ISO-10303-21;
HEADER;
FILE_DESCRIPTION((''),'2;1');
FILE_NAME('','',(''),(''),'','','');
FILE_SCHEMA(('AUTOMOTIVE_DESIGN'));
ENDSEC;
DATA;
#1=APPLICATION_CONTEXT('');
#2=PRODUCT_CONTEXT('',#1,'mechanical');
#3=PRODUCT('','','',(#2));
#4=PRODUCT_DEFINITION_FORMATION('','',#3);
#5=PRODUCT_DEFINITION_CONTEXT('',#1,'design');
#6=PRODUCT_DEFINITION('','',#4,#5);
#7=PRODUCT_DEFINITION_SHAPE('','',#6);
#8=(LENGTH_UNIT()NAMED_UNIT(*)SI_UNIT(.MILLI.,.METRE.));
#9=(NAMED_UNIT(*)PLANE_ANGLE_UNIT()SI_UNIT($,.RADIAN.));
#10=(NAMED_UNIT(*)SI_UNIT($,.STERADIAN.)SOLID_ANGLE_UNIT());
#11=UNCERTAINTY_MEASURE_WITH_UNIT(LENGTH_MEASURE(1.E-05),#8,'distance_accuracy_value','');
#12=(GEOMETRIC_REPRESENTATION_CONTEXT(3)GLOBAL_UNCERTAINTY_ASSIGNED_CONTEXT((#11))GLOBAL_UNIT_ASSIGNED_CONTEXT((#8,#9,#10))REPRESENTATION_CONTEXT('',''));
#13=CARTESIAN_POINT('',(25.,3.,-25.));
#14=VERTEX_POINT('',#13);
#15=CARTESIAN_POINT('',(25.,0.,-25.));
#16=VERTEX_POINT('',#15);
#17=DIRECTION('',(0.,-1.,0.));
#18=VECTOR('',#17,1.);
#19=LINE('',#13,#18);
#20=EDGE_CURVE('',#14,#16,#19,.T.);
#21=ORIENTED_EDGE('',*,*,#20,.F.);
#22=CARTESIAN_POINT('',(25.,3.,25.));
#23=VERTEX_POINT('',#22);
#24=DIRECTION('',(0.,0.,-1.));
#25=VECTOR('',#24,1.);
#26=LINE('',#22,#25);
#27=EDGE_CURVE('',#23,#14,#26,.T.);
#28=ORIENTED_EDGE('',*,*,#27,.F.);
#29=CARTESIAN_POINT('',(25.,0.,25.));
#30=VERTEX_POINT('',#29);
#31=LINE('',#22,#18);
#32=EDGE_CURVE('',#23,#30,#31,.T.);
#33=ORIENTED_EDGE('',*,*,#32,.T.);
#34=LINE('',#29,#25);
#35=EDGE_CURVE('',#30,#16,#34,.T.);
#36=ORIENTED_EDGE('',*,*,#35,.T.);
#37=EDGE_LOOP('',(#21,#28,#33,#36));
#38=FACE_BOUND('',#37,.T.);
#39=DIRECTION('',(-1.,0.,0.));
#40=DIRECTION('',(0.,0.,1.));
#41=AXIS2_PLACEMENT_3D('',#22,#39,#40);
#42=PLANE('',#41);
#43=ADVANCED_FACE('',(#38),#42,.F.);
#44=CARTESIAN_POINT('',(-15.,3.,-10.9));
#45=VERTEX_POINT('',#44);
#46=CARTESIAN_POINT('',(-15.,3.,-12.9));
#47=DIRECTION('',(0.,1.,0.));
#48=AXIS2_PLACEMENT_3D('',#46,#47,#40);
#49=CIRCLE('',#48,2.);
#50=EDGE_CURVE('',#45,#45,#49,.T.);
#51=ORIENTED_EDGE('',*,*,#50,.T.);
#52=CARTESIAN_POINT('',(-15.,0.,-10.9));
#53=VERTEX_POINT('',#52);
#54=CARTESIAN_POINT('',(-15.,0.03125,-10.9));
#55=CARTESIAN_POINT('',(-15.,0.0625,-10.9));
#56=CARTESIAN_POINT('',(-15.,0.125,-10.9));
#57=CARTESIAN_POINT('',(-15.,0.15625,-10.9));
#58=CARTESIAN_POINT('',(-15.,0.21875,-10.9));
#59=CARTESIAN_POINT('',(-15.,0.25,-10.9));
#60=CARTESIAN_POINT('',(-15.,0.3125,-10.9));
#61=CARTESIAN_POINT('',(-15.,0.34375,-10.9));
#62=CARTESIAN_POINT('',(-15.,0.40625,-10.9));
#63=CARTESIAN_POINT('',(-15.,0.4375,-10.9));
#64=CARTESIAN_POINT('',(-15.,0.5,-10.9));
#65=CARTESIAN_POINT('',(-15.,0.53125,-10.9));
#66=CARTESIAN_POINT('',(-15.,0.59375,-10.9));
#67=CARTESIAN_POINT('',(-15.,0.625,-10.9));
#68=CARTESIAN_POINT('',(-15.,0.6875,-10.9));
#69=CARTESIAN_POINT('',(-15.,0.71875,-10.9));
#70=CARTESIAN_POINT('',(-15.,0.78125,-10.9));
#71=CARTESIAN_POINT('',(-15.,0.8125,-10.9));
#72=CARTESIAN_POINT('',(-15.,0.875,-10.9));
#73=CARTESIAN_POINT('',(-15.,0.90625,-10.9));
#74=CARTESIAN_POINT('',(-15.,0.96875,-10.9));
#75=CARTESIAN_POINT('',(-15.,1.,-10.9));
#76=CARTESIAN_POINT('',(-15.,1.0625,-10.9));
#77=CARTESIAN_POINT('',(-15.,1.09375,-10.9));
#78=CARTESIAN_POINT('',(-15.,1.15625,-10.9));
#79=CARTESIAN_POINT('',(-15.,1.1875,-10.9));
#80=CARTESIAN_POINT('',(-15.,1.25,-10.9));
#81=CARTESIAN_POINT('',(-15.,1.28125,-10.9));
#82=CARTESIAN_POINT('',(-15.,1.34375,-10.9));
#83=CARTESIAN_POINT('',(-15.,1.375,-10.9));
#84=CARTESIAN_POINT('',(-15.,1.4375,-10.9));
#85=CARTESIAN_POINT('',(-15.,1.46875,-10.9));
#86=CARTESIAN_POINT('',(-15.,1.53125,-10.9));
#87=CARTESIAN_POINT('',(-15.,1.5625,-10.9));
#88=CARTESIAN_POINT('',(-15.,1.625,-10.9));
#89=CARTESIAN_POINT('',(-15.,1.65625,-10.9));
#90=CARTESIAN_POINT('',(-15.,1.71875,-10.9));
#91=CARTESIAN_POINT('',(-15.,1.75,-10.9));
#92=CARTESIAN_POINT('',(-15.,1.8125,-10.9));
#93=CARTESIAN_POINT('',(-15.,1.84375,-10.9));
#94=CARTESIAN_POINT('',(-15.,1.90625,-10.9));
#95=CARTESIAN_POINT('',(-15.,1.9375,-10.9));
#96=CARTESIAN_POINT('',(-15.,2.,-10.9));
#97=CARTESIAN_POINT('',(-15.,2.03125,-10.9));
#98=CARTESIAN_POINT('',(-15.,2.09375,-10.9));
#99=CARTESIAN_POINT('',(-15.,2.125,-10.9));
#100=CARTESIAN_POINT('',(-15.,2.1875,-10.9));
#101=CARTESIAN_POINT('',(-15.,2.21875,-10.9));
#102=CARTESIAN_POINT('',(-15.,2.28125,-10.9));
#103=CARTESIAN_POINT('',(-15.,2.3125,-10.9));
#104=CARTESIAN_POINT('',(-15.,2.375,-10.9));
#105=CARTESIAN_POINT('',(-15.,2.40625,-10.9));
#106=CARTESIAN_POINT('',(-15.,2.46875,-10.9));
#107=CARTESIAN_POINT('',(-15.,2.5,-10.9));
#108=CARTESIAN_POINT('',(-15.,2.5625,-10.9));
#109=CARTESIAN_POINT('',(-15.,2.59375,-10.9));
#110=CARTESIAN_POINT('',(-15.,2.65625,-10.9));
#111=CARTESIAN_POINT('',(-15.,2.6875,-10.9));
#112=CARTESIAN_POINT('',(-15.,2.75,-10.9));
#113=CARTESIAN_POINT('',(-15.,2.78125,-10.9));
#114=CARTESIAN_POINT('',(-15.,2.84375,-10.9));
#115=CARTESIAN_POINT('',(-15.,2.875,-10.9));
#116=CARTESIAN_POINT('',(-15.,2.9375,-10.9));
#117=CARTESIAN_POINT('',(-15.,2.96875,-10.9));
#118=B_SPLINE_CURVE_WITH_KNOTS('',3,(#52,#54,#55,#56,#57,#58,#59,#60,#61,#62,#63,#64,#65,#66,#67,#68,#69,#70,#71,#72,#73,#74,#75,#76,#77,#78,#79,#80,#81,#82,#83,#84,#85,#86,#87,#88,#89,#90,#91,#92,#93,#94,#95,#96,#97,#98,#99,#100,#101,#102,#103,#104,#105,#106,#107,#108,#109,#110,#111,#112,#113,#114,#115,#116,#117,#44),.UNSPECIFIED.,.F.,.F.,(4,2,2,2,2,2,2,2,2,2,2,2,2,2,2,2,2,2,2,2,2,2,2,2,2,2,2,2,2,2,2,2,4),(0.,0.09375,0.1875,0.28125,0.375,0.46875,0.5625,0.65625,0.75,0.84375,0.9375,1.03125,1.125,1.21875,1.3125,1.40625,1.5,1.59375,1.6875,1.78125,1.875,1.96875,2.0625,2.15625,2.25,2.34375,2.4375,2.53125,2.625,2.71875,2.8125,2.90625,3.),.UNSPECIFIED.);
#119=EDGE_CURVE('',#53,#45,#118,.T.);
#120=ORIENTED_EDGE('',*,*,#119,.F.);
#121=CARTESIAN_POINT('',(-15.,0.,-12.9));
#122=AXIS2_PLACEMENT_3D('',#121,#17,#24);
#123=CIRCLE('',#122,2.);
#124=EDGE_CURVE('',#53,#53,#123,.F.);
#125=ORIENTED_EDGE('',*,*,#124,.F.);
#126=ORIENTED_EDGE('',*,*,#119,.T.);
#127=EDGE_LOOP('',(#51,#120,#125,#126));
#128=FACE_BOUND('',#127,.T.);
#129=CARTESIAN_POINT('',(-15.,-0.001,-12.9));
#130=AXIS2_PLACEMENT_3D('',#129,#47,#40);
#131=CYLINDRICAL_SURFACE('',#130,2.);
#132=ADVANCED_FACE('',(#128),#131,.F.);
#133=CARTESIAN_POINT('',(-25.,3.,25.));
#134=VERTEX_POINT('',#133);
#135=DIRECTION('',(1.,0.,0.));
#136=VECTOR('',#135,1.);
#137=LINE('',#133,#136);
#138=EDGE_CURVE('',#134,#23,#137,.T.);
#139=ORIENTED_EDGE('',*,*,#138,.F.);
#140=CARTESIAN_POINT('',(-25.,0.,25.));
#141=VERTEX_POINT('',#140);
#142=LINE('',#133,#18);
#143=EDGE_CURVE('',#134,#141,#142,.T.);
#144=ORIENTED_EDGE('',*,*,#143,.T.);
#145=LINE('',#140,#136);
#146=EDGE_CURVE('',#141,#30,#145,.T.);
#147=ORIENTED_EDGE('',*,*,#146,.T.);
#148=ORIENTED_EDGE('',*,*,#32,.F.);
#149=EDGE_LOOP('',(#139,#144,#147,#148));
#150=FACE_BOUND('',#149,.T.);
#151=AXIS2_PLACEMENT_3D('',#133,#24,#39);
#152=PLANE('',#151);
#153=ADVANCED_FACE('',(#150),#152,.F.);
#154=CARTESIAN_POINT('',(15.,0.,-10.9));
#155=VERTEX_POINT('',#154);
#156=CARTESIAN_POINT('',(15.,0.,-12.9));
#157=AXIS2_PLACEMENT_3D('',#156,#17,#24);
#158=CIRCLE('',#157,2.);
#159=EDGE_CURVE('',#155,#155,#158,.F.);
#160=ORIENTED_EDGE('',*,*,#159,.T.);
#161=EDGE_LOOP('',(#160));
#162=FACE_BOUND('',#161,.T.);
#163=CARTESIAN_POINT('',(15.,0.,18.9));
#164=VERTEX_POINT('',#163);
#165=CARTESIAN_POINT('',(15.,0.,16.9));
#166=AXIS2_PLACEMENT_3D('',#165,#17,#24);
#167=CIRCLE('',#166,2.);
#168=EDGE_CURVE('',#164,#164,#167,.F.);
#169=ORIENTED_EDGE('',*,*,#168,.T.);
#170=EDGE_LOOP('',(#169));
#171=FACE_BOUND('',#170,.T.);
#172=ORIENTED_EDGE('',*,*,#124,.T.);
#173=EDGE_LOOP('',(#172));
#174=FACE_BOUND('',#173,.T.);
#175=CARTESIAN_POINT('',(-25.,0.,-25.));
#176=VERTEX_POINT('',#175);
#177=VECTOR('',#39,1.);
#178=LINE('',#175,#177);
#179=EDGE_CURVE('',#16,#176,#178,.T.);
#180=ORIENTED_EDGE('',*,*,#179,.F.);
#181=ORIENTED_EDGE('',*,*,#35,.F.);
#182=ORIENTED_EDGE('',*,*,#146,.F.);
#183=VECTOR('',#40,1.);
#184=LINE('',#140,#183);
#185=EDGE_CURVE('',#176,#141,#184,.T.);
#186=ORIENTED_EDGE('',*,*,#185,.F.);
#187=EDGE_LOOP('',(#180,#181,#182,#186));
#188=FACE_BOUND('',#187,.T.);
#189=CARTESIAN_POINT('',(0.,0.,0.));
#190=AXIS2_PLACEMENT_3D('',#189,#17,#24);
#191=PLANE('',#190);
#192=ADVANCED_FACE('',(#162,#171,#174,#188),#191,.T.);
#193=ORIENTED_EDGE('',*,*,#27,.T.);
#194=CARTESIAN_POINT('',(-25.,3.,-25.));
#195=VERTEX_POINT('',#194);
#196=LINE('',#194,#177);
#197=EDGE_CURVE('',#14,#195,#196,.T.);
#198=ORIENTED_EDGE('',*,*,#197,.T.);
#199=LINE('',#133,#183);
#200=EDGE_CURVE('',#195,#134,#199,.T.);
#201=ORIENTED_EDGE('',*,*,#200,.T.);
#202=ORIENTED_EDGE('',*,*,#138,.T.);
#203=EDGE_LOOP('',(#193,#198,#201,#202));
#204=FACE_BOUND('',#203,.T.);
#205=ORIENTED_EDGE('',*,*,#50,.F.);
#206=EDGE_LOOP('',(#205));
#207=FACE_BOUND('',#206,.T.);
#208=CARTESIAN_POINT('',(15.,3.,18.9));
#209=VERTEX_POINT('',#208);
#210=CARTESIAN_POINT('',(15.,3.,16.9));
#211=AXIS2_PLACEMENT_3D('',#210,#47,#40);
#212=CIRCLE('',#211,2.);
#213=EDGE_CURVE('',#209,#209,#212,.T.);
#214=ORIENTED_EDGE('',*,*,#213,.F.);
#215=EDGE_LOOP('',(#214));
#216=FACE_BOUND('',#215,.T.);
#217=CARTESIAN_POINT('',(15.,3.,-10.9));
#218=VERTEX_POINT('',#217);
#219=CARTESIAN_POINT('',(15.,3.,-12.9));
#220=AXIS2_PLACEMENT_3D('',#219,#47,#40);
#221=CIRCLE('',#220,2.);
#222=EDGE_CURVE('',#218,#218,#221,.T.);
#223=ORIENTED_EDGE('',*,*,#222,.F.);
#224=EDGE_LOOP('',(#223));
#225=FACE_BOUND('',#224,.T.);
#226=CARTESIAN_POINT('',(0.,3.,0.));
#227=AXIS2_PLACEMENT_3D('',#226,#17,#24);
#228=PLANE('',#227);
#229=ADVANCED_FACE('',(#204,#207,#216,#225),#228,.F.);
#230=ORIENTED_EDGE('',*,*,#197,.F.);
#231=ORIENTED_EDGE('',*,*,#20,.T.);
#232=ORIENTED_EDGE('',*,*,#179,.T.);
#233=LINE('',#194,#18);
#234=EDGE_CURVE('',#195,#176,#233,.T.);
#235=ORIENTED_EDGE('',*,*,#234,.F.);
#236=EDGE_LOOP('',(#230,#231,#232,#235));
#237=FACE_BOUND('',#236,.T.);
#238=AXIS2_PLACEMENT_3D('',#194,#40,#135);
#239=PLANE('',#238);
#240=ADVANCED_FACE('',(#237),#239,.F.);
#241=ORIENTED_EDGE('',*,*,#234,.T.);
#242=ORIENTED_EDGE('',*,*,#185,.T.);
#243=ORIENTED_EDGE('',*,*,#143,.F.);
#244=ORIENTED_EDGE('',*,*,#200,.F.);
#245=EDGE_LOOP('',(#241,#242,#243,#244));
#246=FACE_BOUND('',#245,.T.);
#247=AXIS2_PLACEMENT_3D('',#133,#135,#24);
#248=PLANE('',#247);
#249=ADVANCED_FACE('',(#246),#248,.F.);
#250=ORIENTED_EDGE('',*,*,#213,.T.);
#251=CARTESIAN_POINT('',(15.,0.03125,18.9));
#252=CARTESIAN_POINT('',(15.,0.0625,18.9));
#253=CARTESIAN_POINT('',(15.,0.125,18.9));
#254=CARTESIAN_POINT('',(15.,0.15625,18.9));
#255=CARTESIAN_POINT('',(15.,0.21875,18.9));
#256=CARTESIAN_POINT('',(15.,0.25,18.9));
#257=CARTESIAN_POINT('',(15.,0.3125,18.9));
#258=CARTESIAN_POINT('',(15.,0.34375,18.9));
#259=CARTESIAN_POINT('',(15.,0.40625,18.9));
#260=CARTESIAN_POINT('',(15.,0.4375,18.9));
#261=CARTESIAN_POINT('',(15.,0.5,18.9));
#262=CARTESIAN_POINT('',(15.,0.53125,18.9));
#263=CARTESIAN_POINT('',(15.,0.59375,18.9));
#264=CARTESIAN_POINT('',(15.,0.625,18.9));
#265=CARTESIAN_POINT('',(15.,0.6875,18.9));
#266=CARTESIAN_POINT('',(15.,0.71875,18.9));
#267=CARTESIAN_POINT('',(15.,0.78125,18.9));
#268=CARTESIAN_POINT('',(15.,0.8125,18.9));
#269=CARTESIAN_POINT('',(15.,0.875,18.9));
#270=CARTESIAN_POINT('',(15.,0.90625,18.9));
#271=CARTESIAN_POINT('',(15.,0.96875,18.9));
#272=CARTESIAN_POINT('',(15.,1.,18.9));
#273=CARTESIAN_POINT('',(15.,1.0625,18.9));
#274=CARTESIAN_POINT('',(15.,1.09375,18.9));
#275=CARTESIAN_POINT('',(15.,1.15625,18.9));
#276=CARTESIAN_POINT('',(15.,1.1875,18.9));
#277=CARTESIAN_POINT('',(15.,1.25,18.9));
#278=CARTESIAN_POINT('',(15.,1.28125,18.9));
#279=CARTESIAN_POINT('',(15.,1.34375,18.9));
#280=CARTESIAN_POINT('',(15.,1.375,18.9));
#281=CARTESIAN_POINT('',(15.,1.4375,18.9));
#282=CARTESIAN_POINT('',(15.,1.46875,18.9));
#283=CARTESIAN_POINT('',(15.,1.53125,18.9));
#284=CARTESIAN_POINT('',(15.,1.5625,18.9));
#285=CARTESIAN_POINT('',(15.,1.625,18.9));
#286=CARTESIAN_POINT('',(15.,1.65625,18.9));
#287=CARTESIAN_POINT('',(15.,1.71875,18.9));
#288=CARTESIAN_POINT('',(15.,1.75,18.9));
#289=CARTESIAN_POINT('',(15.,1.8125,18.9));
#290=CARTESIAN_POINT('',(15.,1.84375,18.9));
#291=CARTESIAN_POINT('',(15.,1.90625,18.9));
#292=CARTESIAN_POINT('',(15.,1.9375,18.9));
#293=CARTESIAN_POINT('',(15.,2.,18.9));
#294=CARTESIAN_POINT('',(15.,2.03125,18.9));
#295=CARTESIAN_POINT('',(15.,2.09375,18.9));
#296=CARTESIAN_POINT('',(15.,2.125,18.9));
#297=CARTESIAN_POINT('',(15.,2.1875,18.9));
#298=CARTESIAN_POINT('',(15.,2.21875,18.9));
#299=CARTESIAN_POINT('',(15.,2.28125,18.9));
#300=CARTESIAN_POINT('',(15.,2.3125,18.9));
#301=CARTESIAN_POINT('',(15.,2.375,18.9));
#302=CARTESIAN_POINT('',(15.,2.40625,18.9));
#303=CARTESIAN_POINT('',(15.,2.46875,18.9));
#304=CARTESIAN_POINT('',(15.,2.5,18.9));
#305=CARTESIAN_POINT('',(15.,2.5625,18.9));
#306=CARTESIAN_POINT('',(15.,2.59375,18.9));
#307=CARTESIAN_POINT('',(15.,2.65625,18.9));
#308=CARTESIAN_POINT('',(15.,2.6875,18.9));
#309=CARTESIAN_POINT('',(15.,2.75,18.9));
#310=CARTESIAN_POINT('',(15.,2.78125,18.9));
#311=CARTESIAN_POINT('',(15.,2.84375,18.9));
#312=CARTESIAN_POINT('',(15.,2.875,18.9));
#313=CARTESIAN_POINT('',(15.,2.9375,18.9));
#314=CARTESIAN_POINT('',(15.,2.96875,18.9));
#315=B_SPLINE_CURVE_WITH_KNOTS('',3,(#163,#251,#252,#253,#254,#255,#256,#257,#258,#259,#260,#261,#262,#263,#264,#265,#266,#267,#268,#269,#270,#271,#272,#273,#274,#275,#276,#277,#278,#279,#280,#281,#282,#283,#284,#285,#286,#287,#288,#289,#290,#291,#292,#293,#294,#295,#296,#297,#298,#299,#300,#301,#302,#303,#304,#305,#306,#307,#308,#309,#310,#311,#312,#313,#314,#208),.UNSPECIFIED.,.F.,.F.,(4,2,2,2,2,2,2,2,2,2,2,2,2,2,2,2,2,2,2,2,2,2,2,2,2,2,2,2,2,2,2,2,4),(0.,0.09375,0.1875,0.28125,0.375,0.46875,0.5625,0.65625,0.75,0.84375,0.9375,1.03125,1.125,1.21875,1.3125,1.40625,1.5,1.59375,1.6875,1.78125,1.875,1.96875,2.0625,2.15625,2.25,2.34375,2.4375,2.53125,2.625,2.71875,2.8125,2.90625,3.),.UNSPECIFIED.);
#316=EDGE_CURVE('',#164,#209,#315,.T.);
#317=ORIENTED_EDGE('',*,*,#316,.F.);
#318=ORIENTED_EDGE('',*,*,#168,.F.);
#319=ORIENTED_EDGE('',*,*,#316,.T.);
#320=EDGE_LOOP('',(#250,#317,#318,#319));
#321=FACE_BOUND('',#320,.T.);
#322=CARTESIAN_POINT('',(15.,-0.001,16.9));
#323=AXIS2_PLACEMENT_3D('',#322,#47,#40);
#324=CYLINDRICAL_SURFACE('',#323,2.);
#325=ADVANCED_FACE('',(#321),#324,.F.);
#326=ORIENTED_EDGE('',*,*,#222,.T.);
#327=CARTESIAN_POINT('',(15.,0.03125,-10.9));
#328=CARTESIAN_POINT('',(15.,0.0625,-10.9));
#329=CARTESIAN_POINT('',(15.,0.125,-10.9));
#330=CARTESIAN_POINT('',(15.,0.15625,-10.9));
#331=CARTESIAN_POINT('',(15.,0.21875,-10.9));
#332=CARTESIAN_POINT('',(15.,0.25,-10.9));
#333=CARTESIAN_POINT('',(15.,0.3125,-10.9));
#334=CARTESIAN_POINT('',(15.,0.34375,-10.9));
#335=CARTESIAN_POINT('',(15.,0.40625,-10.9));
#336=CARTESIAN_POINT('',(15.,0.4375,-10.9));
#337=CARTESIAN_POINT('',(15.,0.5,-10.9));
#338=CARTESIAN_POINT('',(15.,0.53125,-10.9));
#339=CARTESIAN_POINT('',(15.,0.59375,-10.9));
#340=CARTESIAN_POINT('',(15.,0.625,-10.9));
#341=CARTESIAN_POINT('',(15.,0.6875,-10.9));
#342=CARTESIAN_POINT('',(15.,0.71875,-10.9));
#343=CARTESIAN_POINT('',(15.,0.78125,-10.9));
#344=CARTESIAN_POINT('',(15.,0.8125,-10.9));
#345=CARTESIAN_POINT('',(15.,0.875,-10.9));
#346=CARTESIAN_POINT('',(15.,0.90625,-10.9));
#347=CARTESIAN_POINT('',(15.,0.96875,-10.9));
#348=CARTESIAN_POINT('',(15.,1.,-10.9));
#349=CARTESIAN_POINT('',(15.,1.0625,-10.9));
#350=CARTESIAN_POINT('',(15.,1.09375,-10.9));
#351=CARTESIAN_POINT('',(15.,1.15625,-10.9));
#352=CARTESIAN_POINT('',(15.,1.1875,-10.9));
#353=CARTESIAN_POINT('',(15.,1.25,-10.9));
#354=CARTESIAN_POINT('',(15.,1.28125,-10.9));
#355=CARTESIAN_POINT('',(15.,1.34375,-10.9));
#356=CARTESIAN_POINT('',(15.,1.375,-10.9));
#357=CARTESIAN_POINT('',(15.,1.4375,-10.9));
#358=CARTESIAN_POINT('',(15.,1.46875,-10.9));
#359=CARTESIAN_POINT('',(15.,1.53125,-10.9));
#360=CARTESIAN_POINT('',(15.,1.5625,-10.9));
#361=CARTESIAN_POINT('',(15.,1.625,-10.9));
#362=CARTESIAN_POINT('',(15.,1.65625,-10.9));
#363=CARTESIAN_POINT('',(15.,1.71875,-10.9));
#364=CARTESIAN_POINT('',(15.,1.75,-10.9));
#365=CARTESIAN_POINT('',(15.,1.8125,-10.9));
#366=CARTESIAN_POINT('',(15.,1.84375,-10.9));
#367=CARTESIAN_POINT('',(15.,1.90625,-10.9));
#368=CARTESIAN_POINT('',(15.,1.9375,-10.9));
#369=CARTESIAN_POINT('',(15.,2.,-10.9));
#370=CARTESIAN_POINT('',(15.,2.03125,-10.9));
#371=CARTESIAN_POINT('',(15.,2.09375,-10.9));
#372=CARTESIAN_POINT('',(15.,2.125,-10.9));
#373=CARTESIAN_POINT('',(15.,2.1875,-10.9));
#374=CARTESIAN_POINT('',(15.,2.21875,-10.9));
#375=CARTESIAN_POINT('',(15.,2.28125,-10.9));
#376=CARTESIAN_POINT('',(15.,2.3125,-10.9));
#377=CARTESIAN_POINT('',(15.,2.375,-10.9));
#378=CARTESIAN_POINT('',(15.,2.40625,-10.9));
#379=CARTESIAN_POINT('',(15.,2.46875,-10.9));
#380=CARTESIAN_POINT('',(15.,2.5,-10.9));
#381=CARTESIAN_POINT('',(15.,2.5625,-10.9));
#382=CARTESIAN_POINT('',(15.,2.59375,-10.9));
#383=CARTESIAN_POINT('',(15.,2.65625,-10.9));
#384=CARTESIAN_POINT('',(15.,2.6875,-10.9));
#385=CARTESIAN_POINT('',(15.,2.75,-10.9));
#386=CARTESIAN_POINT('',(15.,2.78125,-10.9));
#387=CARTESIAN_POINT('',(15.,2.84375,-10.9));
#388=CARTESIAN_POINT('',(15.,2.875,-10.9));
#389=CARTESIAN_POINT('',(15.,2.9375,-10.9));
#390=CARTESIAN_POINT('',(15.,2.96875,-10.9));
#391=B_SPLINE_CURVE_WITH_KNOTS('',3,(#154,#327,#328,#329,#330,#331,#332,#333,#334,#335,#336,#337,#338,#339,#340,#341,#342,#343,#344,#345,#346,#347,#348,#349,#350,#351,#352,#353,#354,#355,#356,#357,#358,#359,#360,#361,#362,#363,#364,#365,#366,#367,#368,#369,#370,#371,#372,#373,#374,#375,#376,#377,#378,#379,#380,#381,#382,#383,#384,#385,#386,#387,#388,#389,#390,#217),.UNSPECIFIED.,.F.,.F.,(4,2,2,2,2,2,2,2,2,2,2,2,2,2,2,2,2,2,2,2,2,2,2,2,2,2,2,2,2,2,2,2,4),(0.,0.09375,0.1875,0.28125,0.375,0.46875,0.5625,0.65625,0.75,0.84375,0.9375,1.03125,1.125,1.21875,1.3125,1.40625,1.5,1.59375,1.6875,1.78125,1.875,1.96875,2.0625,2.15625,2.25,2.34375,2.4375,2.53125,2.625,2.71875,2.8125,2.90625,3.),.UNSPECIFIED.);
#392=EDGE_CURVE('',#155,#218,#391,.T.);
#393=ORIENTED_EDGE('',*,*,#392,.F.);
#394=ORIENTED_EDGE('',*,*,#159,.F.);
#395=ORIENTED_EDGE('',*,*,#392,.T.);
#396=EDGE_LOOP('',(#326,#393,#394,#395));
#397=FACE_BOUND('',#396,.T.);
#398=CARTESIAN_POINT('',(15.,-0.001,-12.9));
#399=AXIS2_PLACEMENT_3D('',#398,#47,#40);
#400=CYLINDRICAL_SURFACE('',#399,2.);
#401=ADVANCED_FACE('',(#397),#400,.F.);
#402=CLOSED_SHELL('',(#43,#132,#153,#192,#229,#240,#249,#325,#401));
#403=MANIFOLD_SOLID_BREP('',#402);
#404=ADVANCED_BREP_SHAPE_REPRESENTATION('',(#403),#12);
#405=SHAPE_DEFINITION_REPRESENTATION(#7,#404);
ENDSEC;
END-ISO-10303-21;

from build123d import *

# Parameters (mm, degrees)
SKETCH_1_W          = 50
SKETCH_1_H          = 50
EXTRUDE_1_DEPTH     = 3
CUT_EXTRUDE_1_REACH = 37.482
SKETCH_2_R          = 2
CUT_EXTRUDE_2_REACH = 37.482
SKETCH_3_R          = 2


with BuildPart() as part:
    # 草图1 → 凸台-拉伸1 (new body)
    with BuildSketch(Plane(origin=(0, 0, 0), x_dir=(1, 0, 0), z_dir=(0, 1, 0))):
        Rectangle(SKETCH_1_W, SKETCH_1_H)
    extrude(amount=EXTRUDE_1_DEPTH)

    # 草图2 → 切除-拉伸1 (cut, up to next)
    with BuildSketch(Plane(origin=(0, 3, 0), x_dir=(1, 0, 0), z_dir=(0, 1, 0)), mode=Mode.PRIVATE) as cut_extrude_1_sk1:
        with Locations(Location((-15, 12.9, 0), (0, 0, 270))):
            Circle(SKETCH_2_R)
    cut_extrude_1_tool1 = extrude(cut_extrude_1_sk1.sketch, amount=-CUT_EXTRUDE_1_REACH, mode=Mode.PRIVATE) & part.part
    # 草图2 → 切除-拉伸1 (cut, up to next)
    with BuildSketch(Plane(origin=(0, 3, 0), x_dir=(1, 0, 0), z_dir=(0, 1, 0)), mode=Mode.PRIVATE) as cut_extrude_1_sk2:
        with Locations(Location((15, 12.9, 0), (0, 0, 270))):
            Circle(SKETCH_2_R)
    cut_extrude_1_tool2 = extrude(cut_extrude_1_sk2.sketch, amount=-CUT_EXTRUDE_1_REACH, mode=Mode.PRIVATE) & part.part
    add(cut_extrude_1_tool1.solids().sort_by_distance((-15, 3, -12.9))[0], mode=Mode.SUBTRACT)
    add(cut_extrude_1_tool2.solids().sort_by_distance((15, 3, -12.9))[0], mode=Mode.SUBTRACT)

    # 草图3 → 切除-拉伸2 (cut, up to next)
    with BuildSketch(Plane(origin=(0, 3, 0), x_dir=(1, 0, 0), z_dir=(0, 1, 0)), mode=Mode.PRIVATE) as cut_extrude_2_sk1:
        with Locations(Location((15, -16.9, 0), (0, 0, 270))):
            Circle(SKETCH_3_R)
    cut_extrude_2_tool1 = extrude(cut_extrude_2_sk1.sketch, amount=-CUT_EXTRUDE_2_REACH, mode=Mode.PRIVATE) & part.part
    add(cut_extrude_2_tool1.solids().sort_by_distance((15, 3, 16.9))[0], mode=Mode.SUBTRACT)


solid = part.part
